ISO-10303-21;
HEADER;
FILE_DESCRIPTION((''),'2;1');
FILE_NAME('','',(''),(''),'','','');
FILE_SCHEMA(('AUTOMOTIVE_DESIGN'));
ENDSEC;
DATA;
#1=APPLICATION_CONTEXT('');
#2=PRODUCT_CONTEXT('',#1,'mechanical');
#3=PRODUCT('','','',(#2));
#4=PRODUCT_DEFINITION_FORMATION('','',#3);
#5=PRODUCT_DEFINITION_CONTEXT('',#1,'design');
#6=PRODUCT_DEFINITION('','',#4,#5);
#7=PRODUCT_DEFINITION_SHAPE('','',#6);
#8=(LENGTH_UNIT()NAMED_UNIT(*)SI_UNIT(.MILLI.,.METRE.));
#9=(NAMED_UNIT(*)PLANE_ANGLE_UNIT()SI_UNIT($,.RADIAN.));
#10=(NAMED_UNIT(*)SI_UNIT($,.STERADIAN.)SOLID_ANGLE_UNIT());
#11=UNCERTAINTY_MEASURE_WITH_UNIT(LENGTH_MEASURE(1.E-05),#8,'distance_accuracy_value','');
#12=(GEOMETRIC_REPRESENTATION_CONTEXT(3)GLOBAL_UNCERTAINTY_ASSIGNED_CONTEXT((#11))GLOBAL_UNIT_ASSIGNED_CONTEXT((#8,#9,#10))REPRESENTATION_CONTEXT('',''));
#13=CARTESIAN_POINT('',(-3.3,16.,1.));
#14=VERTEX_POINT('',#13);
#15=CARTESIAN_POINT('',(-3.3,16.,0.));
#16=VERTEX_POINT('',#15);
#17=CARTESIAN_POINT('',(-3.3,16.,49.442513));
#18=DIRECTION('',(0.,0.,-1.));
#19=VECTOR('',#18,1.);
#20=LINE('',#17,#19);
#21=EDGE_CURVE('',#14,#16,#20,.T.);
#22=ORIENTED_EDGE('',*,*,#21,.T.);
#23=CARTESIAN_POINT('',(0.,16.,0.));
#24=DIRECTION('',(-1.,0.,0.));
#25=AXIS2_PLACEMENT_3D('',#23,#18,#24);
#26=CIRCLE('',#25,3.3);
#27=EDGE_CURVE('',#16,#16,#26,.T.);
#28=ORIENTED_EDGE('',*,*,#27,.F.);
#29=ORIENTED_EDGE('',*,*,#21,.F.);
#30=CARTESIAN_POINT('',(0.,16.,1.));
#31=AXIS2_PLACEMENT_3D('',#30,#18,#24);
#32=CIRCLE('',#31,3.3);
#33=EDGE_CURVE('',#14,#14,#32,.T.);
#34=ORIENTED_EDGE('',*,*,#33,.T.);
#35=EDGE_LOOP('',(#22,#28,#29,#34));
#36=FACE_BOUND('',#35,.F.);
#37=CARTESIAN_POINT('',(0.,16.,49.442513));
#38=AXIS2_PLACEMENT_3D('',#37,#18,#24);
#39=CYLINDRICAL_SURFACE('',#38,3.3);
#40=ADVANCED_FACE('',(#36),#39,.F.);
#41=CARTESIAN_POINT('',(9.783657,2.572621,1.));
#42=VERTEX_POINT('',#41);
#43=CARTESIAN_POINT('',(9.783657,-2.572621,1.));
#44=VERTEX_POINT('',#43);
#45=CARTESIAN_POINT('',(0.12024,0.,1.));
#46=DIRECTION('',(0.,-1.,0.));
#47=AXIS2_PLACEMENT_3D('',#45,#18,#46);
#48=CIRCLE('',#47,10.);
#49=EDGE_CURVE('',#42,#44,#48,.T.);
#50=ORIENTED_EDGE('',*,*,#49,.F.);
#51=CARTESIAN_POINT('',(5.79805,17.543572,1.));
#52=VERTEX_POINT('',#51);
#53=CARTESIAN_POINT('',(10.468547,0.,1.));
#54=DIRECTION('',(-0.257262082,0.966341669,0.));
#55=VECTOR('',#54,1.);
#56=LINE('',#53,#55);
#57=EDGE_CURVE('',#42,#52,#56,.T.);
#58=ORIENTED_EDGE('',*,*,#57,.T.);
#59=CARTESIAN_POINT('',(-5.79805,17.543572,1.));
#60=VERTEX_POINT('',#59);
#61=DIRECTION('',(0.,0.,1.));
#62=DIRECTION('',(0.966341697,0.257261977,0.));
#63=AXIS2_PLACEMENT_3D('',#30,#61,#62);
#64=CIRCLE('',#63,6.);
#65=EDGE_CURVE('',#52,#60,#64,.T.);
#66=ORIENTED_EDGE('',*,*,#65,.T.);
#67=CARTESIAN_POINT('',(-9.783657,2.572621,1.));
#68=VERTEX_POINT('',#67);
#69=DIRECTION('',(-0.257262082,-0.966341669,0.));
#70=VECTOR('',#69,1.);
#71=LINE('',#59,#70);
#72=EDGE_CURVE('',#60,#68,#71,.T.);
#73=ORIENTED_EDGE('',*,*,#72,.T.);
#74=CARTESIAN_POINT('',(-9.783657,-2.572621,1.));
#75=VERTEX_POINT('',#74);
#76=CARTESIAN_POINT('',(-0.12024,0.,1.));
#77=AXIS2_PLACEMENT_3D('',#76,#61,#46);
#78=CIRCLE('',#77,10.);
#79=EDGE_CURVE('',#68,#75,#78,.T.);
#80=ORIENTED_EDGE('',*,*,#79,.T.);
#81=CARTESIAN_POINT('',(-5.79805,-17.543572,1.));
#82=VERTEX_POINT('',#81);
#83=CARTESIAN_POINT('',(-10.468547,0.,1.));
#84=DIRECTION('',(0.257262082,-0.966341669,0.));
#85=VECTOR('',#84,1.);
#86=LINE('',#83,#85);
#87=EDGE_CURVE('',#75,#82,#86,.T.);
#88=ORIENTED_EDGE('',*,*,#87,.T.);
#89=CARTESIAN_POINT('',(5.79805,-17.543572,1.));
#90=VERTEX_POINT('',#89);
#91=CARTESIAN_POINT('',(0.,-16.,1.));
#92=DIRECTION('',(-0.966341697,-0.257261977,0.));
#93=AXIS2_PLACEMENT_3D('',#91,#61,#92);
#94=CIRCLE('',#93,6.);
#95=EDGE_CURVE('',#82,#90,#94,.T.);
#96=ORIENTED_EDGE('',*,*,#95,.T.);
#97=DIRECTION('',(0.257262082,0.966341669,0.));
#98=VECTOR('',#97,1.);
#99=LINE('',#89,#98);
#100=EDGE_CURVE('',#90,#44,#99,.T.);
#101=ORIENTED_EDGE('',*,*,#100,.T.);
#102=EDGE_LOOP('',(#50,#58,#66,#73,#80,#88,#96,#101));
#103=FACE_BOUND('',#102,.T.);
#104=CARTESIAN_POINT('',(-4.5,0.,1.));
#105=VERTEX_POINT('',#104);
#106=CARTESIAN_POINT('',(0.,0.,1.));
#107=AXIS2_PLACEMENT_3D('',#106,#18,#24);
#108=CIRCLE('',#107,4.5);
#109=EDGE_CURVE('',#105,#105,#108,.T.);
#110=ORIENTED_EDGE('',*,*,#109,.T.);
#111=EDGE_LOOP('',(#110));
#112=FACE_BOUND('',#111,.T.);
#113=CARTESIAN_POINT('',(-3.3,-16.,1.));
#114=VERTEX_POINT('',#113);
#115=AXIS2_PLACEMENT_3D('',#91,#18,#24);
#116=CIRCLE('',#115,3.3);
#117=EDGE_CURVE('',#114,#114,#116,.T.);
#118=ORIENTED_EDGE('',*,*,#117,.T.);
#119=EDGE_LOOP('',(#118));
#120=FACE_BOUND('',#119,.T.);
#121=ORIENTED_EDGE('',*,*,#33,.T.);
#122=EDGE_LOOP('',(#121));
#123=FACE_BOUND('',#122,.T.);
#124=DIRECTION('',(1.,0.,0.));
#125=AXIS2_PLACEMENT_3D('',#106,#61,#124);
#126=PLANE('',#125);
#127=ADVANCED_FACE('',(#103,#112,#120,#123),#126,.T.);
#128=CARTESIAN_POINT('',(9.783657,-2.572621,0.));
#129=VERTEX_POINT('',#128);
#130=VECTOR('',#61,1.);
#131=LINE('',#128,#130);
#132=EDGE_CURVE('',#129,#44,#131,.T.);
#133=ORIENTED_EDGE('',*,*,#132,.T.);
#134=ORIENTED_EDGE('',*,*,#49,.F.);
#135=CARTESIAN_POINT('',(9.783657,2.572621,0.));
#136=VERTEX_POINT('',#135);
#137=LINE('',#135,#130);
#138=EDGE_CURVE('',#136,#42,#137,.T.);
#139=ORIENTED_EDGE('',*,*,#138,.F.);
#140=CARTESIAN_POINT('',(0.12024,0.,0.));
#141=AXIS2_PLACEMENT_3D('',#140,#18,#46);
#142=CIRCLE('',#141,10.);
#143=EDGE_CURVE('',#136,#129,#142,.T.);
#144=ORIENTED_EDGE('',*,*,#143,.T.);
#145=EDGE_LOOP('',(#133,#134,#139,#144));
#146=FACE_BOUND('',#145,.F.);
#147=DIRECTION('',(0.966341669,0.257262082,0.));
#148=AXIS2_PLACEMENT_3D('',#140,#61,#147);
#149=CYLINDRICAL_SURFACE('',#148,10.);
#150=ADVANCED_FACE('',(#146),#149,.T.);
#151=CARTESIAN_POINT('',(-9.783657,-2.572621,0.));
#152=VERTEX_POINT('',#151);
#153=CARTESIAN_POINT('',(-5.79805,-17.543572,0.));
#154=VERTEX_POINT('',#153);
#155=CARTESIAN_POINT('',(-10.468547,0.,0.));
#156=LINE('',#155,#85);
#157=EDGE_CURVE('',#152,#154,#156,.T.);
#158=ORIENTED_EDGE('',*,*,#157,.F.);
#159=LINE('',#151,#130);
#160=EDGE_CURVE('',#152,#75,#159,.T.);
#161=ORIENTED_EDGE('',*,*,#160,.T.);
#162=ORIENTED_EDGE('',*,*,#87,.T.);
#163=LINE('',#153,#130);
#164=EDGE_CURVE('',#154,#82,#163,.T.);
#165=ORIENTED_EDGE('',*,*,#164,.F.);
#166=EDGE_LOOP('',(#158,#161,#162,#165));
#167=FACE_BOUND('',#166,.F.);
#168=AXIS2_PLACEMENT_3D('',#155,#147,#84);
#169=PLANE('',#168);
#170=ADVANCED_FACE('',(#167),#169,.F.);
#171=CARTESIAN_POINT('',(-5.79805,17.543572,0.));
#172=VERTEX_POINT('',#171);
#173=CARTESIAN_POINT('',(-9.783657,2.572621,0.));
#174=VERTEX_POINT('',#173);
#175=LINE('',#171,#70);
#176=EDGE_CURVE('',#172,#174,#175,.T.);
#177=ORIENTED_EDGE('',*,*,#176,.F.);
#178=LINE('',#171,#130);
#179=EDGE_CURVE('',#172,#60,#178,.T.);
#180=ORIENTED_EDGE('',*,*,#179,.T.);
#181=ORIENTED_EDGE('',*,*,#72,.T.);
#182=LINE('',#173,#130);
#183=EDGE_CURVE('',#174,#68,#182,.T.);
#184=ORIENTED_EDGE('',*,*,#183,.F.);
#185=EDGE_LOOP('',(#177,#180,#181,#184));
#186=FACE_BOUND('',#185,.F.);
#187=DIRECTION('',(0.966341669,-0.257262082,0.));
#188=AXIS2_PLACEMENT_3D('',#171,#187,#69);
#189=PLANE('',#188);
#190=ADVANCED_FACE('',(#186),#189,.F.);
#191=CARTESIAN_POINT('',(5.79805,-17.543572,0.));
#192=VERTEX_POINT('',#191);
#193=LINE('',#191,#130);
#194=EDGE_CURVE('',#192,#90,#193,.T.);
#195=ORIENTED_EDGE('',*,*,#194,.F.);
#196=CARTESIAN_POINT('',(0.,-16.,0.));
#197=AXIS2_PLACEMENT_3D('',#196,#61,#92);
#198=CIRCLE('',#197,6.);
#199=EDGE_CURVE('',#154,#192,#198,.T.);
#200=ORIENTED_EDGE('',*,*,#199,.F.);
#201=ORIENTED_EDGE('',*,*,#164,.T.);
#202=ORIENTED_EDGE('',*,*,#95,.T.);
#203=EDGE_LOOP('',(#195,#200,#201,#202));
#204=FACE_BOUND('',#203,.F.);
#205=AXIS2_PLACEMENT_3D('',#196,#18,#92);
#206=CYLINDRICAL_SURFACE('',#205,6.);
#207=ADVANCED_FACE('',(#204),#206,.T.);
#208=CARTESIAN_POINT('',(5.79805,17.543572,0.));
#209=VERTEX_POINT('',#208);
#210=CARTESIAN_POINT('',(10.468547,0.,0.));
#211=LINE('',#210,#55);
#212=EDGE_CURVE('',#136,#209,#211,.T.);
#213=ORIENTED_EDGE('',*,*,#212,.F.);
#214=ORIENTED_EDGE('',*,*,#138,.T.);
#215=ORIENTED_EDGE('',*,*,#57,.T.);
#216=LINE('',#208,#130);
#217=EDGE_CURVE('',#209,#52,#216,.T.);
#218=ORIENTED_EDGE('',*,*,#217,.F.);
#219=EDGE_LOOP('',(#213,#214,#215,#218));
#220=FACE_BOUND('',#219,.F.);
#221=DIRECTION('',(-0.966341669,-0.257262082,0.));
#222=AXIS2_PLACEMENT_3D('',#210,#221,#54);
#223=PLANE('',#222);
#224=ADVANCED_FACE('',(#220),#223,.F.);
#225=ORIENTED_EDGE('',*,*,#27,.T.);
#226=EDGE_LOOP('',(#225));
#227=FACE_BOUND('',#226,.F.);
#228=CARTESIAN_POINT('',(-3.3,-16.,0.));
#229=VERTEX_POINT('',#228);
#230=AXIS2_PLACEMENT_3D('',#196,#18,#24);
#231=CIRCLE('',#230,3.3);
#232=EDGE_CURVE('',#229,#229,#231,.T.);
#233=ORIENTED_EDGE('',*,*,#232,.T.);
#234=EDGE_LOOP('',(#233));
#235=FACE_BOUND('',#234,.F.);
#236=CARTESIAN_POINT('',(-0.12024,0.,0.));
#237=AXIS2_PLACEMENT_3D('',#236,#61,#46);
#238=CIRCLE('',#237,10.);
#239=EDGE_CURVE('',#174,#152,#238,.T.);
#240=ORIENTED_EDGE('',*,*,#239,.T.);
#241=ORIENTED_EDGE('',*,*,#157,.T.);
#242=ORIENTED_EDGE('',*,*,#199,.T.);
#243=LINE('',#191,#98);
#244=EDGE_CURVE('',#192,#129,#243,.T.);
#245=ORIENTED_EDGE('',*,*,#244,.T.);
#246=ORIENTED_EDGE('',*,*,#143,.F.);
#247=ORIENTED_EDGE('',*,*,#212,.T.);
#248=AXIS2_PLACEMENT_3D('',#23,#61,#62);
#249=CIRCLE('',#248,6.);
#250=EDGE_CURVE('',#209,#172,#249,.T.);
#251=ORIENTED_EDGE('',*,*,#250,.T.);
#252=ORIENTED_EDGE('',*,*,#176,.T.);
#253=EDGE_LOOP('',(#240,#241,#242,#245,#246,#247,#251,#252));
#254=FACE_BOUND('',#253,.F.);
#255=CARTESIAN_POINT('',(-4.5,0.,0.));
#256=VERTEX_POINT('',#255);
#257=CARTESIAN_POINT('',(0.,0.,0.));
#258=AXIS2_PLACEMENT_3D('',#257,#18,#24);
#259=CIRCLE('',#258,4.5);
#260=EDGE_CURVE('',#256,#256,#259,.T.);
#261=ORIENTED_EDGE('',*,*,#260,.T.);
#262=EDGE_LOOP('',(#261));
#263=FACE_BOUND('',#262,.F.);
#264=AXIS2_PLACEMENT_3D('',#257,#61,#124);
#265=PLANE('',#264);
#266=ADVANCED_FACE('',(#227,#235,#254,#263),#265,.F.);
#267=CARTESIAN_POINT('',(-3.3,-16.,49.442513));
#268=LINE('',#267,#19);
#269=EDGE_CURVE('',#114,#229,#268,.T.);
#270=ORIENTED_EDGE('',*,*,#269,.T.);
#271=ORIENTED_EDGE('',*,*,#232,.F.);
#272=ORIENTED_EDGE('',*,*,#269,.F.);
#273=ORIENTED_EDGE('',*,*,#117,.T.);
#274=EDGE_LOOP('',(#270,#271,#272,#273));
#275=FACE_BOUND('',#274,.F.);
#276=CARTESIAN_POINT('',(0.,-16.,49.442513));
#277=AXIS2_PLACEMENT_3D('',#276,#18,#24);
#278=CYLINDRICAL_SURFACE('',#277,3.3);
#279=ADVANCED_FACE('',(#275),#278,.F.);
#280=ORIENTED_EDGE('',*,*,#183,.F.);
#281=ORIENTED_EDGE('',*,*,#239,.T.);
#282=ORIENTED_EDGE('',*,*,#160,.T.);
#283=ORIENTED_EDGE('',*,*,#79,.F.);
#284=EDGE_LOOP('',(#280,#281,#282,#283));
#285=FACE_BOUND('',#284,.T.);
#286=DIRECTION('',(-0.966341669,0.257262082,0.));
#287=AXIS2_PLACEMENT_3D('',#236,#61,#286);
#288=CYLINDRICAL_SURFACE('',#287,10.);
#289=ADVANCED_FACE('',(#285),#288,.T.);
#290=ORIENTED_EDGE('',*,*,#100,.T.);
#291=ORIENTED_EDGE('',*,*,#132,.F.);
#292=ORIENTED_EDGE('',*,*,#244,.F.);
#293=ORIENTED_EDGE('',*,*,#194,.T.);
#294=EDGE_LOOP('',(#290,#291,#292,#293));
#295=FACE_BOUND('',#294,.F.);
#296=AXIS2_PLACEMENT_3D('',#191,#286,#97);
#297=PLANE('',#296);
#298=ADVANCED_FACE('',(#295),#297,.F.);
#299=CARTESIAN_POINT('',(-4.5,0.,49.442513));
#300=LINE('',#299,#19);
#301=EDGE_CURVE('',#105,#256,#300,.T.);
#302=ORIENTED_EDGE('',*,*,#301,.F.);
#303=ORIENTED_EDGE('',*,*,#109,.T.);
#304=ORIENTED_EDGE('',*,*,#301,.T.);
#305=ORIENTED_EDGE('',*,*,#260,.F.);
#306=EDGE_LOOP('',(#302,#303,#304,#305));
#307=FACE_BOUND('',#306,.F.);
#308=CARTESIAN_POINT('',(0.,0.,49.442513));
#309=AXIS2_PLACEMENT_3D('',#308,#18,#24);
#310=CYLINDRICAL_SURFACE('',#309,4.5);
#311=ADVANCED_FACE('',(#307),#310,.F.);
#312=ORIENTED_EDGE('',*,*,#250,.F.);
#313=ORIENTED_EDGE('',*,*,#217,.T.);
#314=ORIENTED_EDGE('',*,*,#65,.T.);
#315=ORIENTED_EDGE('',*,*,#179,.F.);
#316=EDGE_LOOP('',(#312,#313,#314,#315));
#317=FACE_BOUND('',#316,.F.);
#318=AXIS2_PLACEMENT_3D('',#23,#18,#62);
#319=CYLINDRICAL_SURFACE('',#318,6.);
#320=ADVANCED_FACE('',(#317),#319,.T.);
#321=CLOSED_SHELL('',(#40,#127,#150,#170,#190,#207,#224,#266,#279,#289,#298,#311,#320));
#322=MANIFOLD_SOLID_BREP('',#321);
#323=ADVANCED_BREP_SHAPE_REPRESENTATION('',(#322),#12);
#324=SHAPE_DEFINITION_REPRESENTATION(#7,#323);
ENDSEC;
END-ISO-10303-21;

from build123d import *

# Parameters (mm, degrees)
F1_DEPTH = 1
F2_R     = 10
F4_D     = 9
F5_D     = 6.6


with BuildPart() as f1:
    # F0 (on Top) → F1 (new body)
    with BuildSketch(Plane.XY):
        with BuildLine():
            Line((10.468547, 0), (5.79805, 17.543572))
            ThreePointArc((5.79805, 17.543572), (0, 22), (-5.79805, 17.543572))
            Line((-5.79805, 17.543572), (-10.468547, 0))
            Line((-10.468547, 0), (-5.79805, -17.543572))
            ThreePointArc((-5.79805, -17.543572), (0, -22), (5.79805, -17.543572))
            Line((5.79805, -17.543572), (10.468547, 0))
        make_face()
    extrude(amount=F1_DEPTH)

    # F2
    f2_edges = [f1.edges().sort_by_distance(p)[0] for p in [
        (10.468547, 0, 0.5),
        (-10.468547, 0, 0.5),
    ]]
    fillet(f2_edges, radius=F2_R)

    # F4 (through all)
    with Locations(Plane.XY.offset(1)):
        with Locations((0, 0)):
            Hole(F4_D / 2)

    # F5 (through all)
    with Locations(Plane.XY.offset(1)):
        with Locations((0, 16), (0, -16)):
            Hole(F5_D / 2)


solid = f1.part
